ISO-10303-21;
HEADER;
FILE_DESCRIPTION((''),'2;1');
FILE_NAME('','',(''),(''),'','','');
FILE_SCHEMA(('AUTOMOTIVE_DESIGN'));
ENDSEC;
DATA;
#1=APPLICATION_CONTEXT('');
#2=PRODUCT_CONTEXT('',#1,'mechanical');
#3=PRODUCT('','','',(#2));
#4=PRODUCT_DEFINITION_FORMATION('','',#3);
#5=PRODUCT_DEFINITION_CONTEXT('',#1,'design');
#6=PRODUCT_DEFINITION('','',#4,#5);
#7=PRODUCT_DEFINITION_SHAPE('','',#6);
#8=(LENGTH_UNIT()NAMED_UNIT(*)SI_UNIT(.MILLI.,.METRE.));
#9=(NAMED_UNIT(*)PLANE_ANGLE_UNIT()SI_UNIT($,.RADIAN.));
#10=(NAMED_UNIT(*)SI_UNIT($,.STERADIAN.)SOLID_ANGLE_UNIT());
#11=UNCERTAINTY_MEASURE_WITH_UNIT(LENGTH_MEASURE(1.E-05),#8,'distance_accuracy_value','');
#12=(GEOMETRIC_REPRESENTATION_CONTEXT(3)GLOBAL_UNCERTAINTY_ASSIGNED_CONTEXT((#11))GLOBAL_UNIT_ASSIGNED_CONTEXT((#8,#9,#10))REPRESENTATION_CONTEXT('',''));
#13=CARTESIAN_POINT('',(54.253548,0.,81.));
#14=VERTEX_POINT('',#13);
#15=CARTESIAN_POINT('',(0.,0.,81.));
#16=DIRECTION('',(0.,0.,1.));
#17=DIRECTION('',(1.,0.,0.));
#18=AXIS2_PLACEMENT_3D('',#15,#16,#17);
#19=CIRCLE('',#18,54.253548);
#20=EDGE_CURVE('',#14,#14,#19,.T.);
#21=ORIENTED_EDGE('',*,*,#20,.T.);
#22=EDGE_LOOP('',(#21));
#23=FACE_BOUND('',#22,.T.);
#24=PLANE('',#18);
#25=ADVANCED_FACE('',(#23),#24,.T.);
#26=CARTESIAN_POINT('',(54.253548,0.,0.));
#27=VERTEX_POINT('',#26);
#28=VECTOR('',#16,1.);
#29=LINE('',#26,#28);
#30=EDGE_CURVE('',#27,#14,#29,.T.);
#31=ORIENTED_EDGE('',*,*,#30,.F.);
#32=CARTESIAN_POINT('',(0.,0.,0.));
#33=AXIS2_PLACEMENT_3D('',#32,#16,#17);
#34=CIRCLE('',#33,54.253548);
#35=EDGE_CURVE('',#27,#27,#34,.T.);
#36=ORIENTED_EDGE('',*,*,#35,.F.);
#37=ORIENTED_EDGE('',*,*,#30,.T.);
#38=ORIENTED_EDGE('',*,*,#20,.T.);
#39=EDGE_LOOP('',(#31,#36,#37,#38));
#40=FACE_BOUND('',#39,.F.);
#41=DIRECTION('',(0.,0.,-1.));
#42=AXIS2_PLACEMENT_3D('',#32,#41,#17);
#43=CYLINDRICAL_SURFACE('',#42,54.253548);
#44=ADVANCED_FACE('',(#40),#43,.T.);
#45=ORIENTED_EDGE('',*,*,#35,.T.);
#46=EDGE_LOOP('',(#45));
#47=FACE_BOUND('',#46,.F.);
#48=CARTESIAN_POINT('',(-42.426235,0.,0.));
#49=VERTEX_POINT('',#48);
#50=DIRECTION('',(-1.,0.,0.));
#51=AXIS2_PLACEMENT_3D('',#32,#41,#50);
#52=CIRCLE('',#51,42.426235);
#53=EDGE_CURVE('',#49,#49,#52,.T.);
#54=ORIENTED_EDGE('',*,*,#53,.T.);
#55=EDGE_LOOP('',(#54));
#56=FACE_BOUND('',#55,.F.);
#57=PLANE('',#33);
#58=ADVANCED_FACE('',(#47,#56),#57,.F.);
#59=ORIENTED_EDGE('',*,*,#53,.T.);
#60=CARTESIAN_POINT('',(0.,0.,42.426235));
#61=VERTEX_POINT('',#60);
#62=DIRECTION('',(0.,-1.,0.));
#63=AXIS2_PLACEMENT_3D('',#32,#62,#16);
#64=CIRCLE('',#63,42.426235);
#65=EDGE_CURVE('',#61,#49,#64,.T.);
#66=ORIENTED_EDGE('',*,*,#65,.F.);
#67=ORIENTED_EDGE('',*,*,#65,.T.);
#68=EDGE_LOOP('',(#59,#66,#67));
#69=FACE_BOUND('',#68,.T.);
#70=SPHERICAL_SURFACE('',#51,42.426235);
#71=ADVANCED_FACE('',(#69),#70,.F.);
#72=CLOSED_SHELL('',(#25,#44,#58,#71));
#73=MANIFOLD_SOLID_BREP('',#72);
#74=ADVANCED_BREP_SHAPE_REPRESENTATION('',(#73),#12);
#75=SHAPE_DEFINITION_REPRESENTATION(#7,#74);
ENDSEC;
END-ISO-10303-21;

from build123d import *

# Parameters (mm, degrees)
F0_R     = 54.253548
F1_DEPTH = 81


with BuildPart() as f1:
    # F0 (on Top) → F1 (new body)
    with BuildSketch(Plane.XY):
        Circle(F0_R)
    extrude(amount=F1_DEPTH)

    # F2 (on Front) → F3 (revolve, cut)
    with BuildSketch(Plane.XZ):
        with BuildLine():
            Line((0, -42.426235), (0, 42.426235))
            ThreePointArc((0, 42.426235), (-42.426235, 0), (0, -42.426235))
        make_face()
    revolve(axis=Axis((0, 0, 0), (0, 0, 1)), mode=Mode.SUBTRACT)


solid = f1.part
